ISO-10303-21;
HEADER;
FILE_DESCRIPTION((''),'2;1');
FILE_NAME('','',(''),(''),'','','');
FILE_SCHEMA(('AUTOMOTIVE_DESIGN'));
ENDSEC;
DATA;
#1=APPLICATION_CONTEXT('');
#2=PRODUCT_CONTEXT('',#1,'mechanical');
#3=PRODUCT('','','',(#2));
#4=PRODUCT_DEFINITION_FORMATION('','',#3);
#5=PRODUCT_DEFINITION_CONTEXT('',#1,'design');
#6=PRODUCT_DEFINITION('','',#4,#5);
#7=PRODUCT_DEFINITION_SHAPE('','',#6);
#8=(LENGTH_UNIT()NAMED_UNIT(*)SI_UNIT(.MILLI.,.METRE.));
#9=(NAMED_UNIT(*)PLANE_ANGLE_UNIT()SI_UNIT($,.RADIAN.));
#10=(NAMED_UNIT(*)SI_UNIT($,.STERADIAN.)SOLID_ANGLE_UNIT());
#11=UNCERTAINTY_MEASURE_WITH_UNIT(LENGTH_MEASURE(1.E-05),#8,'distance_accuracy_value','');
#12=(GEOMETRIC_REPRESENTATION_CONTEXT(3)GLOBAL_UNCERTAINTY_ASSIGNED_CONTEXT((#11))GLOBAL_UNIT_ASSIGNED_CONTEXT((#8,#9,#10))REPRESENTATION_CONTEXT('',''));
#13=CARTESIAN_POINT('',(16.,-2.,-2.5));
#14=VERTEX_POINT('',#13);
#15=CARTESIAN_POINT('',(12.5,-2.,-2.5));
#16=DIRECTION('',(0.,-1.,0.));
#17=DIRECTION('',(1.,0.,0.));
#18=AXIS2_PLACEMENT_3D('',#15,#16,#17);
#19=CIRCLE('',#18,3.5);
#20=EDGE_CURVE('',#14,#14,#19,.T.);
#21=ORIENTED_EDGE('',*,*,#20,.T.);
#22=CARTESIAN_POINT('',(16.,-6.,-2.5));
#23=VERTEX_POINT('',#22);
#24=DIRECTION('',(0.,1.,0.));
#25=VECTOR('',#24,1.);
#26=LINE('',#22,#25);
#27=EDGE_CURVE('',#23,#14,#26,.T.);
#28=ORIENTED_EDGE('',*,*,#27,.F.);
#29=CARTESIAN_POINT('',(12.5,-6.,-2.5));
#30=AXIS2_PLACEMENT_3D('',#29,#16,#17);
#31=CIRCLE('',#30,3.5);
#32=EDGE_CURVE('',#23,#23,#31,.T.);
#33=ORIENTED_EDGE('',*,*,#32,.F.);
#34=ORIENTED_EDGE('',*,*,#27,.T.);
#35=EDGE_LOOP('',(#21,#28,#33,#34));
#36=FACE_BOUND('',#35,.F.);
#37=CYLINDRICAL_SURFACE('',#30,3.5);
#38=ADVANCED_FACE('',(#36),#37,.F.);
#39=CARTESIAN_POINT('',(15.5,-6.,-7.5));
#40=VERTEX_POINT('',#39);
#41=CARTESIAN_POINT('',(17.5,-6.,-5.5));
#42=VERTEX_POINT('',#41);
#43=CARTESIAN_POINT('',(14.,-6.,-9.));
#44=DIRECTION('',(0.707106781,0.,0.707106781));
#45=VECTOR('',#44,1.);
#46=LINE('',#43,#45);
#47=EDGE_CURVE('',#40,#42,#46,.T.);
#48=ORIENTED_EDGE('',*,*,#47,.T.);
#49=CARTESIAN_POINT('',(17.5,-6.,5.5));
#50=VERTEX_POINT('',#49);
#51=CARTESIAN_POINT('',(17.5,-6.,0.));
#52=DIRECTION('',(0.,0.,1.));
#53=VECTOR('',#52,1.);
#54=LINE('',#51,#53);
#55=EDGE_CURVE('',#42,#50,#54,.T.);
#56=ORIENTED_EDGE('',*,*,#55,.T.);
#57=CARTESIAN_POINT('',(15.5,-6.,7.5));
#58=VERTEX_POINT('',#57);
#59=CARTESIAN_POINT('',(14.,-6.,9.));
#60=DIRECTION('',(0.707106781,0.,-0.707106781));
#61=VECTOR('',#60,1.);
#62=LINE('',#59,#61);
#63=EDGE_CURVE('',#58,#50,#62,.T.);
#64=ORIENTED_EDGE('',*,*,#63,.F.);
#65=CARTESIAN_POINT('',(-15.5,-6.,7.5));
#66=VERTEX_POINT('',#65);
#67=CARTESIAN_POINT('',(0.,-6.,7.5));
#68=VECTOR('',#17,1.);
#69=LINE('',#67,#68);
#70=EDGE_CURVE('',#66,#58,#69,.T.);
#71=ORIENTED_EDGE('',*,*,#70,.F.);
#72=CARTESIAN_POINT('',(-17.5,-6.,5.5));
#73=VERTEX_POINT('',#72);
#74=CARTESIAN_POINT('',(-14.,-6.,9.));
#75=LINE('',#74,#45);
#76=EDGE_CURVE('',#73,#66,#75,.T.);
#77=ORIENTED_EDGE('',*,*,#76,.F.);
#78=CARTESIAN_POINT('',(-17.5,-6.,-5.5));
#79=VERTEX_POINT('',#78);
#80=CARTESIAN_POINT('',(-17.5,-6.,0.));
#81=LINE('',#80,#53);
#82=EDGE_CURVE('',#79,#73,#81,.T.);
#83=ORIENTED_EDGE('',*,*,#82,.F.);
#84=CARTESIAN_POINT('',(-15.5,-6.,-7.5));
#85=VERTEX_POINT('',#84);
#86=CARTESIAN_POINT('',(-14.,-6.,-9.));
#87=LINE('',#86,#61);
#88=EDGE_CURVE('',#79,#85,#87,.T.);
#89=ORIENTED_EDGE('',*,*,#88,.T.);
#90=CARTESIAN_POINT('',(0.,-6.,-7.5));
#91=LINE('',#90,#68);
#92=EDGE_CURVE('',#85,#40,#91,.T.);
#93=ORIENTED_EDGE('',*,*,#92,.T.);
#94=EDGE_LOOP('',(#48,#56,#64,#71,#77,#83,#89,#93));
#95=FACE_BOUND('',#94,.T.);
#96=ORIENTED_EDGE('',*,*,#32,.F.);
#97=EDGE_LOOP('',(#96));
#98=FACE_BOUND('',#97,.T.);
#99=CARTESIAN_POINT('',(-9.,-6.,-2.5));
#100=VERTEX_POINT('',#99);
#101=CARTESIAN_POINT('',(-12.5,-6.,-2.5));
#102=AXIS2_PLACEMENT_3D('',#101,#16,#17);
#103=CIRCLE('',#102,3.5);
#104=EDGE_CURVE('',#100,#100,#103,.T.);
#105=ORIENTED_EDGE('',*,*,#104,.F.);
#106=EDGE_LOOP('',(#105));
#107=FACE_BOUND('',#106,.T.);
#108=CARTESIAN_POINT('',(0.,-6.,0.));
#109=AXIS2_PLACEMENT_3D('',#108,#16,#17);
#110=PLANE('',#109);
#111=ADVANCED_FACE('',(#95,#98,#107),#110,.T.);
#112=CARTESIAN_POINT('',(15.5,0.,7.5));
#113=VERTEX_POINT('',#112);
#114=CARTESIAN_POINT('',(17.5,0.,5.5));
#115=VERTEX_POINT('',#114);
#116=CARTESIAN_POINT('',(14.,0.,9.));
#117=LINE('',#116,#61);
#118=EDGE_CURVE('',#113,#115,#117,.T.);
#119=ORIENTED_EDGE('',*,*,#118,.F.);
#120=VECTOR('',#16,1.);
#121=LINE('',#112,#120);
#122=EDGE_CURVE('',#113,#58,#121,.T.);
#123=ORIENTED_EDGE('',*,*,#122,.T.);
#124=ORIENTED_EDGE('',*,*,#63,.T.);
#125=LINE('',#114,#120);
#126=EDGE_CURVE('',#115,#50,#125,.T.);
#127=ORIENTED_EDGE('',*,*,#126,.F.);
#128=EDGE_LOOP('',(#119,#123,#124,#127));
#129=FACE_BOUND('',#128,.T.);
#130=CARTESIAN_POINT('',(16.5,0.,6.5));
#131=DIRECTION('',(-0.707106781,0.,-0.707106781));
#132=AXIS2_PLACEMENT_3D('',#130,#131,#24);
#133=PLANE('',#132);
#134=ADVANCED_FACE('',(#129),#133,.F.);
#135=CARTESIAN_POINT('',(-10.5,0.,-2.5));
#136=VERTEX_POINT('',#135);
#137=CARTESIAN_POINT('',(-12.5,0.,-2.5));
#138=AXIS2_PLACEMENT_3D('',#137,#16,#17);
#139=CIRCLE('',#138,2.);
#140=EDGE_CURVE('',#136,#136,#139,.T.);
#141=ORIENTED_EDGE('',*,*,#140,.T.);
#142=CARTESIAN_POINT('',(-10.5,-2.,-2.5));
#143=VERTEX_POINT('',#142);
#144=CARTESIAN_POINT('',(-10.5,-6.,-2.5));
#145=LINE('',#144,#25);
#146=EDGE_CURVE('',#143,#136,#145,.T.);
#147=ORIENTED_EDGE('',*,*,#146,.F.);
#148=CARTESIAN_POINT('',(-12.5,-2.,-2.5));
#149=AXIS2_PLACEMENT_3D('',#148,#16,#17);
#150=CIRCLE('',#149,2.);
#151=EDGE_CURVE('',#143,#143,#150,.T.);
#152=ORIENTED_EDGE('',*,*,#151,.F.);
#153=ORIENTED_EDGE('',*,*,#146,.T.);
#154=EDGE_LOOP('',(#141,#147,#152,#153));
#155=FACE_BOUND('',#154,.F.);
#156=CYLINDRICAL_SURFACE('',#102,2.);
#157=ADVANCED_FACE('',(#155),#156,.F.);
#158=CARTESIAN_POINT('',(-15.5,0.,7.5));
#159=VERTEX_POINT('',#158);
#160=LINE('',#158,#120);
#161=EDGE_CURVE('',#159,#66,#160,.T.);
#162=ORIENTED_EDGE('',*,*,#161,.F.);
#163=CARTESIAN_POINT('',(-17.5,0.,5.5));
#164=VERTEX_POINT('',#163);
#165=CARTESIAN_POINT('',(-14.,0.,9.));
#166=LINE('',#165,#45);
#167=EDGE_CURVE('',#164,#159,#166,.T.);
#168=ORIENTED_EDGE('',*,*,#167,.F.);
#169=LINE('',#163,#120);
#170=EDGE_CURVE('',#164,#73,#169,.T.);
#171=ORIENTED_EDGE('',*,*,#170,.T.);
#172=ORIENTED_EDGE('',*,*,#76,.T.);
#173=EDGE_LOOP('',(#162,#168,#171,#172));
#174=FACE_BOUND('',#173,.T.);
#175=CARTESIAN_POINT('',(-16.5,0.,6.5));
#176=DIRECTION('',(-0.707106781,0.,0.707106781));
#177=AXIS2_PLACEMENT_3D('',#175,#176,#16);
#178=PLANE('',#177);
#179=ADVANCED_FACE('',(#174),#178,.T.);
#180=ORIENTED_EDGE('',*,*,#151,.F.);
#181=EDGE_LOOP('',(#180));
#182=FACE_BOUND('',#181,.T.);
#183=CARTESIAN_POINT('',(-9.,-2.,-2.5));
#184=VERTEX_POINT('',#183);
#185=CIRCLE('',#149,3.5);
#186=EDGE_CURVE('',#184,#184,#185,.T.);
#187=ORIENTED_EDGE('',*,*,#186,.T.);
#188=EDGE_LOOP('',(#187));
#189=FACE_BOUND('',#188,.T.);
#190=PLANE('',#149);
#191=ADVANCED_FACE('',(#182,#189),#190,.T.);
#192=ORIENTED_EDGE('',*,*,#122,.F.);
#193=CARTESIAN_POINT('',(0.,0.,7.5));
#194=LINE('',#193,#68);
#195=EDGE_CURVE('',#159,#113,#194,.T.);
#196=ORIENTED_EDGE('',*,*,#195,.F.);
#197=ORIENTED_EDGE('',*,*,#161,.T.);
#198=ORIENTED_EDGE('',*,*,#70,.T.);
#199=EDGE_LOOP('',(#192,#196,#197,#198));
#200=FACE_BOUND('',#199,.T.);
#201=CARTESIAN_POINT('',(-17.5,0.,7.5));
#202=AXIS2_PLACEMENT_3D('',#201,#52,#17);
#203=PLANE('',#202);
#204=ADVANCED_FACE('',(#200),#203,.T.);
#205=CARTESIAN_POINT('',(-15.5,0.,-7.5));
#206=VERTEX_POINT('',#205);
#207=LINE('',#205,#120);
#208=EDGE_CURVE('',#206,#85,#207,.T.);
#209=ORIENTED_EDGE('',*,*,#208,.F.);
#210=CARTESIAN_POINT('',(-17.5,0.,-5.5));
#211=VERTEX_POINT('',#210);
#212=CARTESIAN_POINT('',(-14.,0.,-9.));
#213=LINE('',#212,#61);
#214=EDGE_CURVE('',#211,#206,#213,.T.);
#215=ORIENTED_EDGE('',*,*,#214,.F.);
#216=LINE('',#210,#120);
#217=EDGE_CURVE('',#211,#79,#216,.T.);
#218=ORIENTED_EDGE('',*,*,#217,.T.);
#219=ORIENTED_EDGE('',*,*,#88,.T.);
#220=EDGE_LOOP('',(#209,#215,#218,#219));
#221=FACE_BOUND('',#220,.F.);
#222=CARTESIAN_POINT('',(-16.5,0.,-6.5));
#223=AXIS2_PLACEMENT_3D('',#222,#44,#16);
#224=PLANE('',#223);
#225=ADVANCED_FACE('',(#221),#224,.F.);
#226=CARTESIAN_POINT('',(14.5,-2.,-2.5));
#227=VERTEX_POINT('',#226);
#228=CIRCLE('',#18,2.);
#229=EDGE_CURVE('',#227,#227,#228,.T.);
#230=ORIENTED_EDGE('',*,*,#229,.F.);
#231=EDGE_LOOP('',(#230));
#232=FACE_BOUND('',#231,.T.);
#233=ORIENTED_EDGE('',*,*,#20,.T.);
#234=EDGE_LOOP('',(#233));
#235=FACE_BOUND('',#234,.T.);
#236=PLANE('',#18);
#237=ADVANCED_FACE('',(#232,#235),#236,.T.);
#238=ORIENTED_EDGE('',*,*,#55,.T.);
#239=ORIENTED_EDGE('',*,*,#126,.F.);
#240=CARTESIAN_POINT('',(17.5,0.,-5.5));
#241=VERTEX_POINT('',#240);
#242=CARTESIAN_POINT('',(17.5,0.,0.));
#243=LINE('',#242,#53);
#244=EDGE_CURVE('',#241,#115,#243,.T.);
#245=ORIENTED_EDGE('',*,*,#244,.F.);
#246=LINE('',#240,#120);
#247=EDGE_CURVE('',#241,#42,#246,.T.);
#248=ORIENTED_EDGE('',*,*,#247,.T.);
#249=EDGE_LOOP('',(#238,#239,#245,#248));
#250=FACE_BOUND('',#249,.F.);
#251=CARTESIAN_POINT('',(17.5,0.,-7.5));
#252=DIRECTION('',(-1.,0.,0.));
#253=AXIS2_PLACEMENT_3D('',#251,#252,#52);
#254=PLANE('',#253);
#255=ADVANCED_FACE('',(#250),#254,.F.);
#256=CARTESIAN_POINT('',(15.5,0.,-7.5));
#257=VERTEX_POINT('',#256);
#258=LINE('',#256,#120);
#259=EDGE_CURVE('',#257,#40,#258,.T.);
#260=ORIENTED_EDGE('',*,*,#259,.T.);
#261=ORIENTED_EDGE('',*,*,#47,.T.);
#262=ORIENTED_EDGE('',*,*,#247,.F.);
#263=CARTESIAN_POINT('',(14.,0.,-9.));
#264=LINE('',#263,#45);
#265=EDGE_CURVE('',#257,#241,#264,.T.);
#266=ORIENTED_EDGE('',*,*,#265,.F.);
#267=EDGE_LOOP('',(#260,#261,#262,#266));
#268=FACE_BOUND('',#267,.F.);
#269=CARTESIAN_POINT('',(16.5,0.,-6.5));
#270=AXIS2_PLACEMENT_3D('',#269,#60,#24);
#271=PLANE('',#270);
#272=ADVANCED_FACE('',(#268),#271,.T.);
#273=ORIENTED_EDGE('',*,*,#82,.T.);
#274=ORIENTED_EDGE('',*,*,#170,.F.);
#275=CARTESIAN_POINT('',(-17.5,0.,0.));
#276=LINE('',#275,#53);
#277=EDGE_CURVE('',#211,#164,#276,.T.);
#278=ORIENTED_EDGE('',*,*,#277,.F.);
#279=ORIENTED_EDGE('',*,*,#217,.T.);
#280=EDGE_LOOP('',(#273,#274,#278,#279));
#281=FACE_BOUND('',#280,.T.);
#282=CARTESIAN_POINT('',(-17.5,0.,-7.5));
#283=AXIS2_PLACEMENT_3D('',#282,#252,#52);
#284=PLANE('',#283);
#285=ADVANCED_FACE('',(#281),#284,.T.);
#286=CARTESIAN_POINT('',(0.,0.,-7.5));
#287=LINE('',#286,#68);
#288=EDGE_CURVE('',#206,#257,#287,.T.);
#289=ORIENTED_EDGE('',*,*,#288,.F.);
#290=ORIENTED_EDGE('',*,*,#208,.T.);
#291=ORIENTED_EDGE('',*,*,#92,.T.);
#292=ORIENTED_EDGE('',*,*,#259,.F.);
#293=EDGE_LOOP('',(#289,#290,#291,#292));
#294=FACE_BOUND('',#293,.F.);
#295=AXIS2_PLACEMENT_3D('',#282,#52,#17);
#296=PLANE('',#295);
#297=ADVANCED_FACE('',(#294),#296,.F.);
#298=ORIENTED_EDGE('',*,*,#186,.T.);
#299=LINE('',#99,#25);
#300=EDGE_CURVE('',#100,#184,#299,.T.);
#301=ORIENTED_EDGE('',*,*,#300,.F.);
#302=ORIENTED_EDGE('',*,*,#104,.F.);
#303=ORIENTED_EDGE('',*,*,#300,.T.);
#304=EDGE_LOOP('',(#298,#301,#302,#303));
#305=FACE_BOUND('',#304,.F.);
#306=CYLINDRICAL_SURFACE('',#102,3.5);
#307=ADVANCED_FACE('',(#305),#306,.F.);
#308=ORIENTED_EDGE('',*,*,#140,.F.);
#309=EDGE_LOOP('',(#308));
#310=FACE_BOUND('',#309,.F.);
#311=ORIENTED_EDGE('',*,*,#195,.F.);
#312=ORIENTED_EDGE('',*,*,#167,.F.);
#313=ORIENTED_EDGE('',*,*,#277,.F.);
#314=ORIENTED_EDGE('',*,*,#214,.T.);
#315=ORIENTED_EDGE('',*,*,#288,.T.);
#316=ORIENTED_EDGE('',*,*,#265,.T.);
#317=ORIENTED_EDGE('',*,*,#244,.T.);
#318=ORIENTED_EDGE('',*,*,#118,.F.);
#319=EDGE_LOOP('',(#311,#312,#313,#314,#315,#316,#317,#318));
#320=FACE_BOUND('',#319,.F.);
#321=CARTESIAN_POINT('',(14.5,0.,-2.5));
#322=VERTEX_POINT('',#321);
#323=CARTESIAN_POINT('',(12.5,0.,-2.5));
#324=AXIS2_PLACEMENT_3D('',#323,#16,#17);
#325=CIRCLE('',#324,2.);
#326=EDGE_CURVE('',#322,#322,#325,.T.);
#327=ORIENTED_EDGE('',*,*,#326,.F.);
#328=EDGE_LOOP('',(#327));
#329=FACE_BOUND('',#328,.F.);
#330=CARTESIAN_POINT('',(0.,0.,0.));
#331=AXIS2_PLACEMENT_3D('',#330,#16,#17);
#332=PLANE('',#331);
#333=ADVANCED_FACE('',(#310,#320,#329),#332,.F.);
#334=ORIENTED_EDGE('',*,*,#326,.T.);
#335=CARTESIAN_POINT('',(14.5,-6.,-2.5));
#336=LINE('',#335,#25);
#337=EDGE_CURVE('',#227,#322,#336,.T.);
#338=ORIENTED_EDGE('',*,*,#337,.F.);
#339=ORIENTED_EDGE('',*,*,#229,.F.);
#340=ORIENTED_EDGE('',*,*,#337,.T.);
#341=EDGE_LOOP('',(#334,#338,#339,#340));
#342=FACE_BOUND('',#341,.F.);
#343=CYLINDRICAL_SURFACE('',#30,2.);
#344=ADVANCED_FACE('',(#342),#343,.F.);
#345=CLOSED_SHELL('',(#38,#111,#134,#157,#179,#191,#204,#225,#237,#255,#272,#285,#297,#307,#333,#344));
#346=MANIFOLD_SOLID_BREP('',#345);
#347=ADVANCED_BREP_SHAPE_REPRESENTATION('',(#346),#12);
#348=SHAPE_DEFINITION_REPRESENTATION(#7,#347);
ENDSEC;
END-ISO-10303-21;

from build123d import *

# Parameters (mm, degrees)
F0_W     = 35
F0_H     = 15
F1_DEPTH = 6
F2_R     = 3.5
F3_DEPTH = 4
F4_R     = 2
F5_DEPTH = 6.001
F6_SIZE  = 2


with BuildPart() as f1:
    # F0 (on Front) → F1 (new body)
    with BuildSketch(Plane.XZ):
        Rectangle(F0_W, F0_H)
    extrude(amount=F1_DEPTH)

    # F2 (on face) → F3 (cut)
    with BuildSketch(Plane.XZ.offset(6)):
        with Locations((12.5, -2.5)):
            Circle(F2_R)
        with Locations((-12.5, -2.5)):
            Circle(F2_R)
    extrude(amount=-F3_DEPTH, mode=Mode.SUBTRACT)

    # F4 (on face) → F5 (cut, through all)
    with BuildSketch(Plane.XZ.offset(6)):
        with Locations((12.5, -2.5)):
            Circle(F4_R)
        with Locations((-12.5, -2.5)):
            Circle(F4_R)
    extrude(amount=-F5_DEPTH, mode=Mode.SUBTRACT)

    # F6
    f6_edges = [f1.edges().sort_by_distance(p)[0] for p in [
        (-17.5, -3, 7.5),
        (17.5, -3, 7.5),
        (17.5, -3, -7.5),
        (-17.5, -3, -7.5),
    ]]
    chamfer(f6_edges, length=F6_SIZE)


solid = f1.part
